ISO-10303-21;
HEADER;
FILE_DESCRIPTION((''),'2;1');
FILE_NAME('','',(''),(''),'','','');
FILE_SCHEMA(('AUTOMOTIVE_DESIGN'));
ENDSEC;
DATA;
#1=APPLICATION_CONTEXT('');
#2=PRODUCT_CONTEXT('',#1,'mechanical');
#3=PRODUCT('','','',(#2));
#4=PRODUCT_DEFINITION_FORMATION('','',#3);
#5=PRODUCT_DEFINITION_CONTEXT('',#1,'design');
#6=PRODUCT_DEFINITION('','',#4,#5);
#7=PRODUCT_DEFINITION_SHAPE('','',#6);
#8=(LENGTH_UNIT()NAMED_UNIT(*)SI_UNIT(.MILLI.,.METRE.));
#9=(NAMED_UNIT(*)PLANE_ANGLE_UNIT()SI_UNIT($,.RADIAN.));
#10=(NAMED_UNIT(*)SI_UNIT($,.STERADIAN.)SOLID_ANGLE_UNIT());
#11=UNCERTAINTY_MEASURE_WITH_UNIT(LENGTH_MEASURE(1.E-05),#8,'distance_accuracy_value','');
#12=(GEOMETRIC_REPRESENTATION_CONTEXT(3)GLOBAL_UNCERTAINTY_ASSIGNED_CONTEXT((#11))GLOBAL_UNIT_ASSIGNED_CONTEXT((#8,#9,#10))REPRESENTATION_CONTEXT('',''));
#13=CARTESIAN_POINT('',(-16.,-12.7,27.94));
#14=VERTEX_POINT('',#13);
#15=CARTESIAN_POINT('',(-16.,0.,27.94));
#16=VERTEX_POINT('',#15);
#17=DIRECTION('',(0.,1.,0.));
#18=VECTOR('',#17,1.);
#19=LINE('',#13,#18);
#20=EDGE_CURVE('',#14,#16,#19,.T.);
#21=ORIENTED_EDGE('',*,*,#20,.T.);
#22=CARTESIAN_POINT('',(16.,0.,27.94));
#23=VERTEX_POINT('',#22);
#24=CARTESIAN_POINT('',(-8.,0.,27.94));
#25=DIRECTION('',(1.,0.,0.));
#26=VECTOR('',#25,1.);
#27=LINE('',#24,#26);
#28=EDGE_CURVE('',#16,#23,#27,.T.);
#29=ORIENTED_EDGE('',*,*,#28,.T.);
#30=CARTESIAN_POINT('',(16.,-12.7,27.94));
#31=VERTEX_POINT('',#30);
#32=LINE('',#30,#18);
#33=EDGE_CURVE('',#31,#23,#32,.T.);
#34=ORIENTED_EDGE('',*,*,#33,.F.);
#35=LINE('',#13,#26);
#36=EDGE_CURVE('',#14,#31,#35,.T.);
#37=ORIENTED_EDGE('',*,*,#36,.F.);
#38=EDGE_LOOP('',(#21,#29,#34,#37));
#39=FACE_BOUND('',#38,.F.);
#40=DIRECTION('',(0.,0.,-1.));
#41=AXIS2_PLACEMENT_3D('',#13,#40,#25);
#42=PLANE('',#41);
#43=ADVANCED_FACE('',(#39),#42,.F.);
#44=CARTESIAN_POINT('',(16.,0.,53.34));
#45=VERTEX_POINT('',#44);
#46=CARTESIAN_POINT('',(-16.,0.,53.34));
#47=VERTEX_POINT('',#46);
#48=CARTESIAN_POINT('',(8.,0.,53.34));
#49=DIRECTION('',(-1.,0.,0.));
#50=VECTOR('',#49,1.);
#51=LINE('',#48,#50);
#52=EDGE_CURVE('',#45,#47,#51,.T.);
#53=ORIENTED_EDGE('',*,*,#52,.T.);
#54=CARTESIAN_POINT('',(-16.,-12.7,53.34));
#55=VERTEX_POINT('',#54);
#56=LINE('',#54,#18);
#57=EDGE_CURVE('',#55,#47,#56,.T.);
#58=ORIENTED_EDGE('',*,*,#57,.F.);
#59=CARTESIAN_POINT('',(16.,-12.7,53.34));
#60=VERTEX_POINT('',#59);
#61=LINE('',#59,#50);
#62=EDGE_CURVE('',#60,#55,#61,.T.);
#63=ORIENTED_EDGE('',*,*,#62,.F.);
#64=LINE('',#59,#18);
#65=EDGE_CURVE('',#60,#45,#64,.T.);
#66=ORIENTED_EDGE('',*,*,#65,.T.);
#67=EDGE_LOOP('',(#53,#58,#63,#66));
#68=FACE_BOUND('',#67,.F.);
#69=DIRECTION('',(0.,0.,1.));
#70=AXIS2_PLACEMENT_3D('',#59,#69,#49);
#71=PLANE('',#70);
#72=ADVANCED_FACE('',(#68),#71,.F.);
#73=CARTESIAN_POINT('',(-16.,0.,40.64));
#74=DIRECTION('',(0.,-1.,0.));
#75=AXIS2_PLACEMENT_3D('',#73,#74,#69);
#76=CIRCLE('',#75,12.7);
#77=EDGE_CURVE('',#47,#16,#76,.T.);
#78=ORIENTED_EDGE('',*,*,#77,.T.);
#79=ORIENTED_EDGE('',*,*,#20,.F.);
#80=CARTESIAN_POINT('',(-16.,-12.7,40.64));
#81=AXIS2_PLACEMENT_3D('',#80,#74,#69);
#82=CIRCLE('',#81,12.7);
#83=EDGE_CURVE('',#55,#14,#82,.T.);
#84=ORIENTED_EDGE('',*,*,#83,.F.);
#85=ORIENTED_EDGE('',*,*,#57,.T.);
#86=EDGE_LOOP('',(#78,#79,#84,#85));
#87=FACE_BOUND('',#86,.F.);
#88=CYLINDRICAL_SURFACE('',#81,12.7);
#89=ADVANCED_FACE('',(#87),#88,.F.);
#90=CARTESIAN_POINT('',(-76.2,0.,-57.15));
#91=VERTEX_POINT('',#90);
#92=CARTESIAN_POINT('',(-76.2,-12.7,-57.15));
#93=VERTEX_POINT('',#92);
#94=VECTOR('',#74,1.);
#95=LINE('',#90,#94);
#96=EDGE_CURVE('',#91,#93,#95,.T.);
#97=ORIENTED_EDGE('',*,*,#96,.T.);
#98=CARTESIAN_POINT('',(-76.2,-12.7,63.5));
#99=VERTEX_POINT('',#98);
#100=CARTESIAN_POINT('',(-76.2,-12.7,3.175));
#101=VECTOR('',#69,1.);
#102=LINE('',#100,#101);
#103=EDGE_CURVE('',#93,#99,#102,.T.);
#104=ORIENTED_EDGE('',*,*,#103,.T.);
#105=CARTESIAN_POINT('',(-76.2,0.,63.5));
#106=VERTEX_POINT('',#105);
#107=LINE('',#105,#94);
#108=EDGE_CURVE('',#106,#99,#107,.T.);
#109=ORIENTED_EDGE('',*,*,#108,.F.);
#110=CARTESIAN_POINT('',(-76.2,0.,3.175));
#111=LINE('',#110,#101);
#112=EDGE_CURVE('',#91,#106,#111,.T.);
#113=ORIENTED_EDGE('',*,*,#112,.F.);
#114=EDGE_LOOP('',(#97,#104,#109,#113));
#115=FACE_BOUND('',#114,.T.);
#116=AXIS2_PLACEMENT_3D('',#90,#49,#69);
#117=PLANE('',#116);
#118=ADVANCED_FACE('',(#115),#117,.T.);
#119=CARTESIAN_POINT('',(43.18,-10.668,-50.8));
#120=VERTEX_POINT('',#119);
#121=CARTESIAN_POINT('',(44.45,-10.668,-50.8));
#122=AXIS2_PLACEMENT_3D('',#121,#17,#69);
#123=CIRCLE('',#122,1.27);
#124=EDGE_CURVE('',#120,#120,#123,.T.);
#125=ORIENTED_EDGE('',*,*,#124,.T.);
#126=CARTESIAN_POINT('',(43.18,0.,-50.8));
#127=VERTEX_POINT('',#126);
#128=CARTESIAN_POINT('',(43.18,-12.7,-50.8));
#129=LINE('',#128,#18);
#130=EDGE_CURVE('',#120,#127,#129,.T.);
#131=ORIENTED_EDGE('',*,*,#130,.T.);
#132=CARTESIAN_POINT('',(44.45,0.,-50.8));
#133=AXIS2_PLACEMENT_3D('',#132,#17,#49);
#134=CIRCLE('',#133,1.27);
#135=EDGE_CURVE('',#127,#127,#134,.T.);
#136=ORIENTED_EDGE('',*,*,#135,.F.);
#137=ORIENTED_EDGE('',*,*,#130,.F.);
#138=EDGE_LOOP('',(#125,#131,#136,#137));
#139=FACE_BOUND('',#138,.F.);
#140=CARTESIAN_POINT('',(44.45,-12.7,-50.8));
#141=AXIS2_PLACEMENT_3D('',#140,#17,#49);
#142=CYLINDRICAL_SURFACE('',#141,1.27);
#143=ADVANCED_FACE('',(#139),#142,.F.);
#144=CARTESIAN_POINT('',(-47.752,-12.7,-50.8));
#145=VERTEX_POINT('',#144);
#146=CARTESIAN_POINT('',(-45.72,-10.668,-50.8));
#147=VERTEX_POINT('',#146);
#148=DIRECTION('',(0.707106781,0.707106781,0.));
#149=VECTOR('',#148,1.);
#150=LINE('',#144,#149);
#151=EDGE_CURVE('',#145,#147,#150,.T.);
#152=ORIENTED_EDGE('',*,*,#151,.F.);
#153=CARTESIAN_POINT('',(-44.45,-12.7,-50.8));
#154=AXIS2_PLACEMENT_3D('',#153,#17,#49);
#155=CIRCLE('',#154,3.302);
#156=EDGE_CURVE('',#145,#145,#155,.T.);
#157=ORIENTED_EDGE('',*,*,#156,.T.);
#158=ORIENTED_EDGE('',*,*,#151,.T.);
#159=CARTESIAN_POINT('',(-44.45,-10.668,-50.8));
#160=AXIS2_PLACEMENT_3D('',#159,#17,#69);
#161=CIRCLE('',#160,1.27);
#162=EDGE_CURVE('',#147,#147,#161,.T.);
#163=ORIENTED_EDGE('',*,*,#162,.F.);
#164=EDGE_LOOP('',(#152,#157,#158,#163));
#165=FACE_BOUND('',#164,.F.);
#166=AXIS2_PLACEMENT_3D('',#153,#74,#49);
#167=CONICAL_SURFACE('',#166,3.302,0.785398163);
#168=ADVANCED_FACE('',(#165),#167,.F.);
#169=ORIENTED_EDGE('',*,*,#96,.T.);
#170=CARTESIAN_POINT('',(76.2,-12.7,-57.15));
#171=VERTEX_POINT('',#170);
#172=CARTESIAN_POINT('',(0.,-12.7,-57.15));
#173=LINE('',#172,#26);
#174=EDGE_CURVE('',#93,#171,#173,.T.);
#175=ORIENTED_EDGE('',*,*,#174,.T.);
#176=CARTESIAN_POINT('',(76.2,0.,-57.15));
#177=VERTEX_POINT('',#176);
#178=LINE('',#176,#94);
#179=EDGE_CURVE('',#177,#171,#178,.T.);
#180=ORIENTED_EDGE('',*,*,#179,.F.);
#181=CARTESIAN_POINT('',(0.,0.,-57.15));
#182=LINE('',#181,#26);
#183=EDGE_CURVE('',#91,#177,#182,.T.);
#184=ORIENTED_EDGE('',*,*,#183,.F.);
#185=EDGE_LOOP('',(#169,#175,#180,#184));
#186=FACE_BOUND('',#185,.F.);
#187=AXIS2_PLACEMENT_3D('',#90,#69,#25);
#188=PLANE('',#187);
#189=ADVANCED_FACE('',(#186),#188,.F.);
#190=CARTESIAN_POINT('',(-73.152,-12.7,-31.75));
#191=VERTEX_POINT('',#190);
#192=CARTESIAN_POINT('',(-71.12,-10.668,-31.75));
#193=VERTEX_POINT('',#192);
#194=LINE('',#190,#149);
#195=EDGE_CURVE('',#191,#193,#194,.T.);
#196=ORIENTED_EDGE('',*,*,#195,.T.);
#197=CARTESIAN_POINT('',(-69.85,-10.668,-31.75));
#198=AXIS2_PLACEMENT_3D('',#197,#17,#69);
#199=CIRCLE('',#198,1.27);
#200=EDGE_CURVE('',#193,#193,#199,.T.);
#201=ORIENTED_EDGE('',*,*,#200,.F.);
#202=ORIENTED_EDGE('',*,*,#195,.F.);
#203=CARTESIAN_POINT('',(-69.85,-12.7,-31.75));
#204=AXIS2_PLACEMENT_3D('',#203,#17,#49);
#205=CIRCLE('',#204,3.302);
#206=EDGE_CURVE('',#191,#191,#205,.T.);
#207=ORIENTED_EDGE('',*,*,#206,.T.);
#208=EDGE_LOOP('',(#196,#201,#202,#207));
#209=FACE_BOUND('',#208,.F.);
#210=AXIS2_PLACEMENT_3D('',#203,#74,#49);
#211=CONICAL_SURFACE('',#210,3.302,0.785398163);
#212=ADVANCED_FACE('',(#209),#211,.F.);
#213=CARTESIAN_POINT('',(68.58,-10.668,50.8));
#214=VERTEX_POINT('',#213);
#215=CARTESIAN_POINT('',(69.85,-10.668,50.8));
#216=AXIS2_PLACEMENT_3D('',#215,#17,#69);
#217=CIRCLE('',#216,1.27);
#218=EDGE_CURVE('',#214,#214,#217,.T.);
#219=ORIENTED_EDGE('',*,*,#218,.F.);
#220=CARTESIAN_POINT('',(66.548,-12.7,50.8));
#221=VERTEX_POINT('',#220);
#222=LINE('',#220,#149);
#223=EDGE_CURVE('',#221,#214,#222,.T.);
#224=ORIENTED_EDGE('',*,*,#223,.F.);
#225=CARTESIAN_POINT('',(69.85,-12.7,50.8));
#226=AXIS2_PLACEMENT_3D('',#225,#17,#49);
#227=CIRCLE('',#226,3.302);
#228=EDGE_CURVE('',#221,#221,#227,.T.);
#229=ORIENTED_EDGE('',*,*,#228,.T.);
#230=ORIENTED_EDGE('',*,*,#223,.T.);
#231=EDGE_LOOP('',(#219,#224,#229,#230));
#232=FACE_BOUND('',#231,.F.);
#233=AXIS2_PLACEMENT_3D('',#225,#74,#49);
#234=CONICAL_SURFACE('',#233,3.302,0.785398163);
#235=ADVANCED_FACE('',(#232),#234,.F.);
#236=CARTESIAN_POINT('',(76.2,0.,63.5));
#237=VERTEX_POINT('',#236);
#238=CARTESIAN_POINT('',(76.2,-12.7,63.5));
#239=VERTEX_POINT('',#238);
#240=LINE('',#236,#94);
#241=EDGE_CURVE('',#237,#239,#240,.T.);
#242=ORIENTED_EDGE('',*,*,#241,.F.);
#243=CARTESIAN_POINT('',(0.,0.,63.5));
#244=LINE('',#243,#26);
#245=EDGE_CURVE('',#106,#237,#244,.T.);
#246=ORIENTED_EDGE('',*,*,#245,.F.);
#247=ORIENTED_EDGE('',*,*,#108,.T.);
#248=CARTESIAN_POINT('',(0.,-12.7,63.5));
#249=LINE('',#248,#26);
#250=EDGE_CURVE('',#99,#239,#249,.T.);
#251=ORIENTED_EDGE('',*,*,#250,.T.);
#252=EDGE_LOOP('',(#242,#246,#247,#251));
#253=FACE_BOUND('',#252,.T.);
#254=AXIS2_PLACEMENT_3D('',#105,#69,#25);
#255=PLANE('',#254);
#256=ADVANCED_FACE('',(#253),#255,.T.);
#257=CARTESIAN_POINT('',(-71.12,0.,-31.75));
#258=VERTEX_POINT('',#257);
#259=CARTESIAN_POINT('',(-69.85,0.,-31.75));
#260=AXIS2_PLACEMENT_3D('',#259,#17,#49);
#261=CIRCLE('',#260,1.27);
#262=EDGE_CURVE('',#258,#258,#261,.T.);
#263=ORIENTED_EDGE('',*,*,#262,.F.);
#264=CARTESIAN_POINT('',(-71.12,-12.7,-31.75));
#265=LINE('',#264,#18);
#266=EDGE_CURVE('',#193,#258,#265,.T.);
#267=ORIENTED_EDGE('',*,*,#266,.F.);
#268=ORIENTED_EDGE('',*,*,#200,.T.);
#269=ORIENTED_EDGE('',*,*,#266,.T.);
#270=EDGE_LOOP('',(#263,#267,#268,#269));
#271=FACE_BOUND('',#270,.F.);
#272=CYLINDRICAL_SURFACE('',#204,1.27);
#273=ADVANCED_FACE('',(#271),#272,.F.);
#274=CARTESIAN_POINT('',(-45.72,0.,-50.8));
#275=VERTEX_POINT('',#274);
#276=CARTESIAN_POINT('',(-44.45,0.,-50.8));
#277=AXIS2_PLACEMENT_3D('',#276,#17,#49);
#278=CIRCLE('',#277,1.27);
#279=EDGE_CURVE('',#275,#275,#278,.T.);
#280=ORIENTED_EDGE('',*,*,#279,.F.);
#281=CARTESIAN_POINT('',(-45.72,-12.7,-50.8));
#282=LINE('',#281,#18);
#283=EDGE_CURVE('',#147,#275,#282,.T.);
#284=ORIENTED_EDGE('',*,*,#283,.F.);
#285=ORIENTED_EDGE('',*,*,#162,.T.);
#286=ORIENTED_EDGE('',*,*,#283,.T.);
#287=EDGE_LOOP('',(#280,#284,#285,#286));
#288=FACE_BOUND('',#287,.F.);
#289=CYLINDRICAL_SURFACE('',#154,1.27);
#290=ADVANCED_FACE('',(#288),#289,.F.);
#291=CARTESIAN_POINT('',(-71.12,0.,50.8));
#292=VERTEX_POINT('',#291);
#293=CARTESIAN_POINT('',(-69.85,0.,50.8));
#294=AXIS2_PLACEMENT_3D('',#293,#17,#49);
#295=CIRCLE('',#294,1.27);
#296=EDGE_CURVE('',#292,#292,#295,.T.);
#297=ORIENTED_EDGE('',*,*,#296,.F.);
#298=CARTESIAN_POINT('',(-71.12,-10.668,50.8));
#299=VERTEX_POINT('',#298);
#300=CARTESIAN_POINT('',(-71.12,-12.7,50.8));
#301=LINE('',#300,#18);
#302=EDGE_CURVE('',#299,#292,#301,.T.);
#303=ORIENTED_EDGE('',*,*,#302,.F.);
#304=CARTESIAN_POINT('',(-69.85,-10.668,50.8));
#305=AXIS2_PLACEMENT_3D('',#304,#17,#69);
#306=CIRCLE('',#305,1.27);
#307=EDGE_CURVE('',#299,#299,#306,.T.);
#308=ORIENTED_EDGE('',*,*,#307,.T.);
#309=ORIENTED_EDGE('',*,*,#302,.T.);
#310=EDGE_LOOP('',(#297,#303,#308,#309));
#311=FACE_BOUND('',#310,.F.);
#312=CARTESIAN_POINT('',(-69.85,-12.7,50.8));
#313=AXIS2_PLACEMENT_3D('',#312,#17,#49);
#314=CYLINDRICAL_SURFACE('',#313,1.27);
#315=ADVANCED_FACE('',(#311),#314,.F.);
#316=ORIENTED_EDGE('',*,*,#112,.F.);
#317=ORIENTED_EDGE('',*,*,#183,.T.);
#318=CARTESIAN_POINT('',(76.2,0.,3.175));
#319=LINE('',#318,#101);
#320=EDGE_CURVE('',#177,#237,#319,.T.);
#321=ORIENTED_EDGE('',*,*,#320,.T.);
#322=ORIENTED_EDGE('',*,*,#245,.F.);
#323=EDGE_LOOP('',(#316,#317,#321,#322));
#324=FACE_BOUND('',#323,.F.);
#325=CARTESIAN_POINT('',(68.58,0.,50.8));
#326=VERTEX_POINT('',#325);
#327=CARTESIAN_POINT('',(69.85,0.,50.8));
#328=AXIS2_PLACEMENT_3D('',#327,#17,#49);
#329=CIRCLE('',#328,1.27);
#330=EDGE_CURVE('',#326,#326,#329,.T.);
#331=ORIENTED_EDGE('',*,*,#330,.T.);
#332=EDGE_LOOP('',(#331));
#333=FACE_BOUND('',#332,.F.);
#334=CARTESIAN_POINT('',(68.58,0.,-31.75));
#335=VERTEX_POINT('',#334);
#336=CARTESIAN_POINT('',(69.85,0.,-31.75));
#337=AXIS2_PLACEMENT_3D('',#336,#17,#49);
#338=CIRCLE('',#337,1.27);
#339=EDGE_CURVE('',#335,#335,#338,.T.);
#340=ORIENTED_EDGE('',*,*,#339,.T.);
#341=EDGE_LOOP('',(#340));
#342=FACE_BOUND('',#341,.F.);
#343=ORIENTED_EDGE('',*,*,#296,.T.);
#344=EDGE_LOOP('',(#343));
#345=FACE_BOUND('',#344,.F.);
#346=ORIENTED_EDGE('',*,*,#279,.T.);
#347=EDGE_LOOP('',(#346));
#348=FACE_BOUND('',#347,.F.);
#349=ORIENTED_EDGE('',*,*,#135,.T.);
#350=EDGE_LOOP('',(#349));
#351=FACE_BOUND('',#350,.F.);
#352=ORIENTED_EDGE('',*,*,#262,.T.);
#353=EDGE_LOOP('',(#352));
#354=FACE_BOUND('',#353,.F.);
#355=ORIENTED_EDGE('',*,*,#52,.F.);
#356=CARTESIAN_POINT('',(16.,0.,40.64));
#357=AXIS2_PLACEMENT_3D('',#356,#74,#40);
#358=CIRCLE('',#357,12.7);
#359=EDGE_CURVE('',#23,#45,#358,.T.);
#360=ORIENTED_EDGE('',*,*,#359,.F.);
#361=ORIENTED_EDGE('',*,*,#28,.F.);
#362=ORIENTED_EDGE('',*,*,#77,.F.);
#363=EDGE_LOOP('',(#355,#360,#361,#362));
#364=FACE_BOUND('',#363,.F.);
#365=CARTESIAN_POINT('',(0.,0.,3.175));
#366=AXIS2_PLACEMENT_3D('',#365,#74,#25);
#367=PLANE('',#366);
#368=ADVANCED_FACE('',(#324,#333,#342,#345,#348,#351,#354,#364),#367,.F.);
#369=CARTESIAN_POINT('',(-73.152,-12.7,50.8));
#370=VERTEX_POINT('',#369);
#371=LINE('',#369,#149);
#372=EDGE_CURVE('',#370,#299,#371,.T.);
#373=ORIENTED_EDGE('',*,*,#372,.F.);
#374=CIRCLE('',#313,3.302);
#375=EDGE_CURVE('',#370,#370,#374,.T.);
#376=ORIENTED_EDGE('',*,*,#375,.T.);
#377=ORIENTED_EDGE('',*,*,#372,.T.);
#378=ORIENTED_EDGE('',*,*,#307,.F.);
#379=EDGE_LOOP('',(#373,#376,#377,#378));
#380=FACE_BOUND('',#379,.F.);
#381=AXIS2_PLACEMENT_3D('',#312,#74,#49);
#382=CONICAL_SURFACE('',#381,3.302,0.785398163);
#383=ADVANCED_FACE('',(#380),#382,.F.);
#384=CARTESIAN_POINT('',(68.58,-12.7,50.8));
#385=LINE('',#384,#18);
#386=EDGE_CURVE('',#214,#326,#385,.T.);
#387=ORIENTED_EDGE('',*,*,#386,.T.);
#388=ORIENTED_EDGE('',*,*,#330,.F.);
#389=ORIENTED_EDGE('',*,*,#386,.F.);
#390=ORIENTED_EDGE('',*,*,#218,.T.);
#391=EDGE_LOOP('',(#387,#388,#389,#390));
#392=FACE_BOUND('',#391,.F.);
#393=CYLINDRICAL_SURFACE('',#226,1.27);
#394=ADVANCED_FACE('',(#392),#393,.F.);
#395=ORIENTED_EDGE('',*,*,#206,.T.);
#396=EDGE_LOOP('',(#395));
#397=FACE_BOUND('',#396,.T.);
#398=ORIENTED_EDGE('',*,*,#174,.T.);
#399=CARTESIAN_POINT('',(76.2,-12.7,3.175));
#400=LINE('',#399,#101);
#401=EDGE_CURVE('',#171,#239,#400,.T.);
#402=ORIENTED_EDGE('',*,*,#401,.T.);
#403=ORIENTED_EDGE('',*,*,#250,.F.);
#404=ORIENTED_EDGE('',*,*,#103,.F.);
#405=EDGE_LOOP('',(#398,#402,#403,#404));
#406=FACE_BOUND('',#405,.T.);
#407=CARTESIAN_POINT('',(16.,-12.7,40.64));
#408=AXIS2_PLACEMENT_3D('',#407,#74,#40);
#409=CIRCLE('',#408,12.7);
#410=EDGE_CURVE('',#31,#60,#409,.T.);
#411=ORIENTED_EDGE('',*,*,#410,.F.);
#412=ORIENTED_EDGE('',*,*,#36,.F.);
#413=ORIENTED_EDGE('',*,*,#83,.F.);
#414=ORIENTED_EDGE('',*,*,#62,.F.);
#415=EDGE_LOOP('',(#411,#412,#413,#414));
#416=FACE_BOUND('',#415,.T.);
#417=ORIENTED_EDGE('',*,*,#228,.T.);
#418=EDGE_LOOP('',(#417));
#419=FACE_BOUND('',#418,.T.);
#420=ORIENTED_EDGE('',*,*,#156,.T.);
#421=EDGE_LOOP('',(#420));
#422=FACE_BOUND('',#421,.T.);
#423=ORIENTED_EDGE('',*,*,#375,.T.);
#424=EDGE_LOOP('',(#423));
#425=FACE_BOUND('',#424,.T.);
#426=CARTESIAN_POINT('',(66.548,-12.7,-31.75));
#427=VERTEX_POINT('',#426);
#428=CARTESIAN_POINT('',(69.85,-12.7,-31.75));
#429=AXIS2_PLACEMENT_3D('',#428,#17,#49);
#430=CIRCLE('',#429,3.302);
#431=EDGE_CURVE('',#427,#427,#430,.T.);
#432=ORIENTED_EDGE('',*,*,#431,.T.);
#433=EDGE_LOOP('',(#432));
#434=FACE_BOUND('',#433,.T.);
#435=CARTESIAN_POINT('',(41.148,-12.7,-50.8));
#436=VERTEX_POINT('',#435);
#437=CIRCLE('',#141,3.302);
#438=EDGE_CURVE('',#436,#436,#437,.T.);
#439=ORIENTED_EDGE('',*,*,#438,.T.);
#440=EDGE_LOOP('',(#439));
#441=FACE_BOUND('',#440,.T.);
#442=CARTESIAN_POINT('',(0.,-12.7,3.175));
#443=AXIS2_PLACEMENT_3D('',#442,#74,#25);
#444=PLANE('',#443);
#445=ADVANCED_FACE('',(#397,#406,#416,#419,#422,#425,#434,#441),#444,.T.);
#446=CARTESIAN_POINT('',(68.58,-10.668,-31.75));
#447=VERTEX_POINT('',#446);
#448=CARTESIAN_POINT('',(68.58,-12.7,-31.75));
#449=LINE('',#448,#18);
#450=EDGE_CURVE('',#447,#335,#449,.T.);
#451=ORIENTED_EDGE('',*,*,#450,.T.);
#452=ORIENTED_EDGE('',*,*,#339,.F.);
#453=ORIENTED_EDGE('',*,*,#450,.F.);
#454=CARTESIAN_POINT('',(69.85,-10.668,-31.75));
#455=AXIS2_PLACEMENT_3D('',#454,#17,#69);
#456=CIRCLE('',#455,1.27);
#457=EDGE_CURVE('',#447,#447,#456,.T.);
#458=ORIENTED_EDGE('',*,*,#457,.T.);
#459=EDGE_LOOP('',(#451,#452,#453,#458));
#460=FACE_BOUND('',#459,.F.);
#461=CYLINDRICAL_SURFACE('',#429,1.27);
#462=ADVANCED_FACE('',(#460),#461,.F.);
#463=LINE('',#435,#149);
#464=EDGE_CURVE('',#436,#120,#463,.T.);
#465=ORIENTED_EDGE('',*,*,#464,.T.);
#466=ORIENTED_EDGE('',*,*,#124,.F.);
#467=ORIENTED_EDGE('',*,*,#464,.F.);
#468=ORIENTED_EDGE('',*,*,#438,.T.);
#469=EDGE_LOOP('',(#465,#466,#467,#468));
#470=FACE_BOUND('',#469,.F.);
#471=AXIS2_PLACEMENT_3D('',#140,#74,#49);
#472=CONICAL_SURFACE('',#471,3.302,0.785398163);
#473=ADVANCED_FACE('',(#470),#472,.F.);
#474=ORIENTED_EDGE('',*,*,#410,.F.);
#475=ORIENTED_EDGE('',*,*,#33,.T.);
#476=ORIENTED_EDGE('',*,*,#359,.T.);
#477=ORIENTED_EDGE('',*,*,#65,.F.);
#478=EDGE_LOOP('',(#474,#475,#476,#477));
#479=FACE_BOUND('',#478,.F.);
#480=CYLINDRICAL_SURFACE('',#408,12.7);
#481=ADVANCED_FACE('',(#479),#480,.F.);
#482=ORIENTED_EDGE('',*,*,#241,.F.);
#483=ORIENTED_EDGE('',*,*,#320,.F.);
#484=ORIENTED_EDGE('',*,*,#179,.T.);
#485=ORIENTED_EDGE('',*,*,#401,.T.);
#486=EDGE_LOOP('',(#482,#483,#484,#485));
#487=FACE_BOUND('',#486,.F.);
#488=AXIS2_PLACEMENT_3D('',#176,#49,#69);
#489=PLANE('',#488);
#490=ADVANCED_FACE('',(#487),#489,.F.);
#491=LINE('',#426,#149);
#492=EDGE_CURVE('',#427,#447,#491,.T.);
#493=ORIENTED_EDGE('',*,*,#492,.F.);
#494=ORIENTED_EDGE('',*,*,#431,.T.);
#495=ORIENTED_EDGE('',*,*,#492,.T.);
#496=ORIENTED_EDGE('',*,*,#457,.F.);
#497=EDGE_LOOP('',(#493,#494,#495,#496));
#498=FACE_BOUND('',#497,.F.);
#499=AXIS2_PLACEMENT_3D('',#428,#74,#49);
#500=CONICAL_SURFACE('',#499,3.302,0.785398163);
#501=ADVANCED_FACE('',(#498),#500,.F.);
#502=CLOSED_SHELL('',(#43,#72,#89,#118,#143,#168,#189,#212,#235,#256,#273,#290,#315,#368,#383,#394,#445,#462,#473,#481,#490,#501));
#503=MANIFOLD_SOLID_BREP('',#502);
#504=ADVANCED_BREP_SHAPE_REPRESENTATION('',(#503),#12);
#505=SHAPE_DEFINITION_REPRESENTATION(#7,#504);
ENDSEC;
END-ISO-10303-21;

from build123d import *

# Parameters (mm, degrees)
F0_W           = 152.4
F0_H           = 120.65
F1_DEPTH       = 12.7
F3_D           = 2.54
F3_CSINK_D     = 6.604
F3_CSINK_ANGLE = 90
F5_DEPTH       = 12.701


with BuildPart() as f1:
    # F0 (on Front) → F1 (new body)
    with BuildSketch(Plane.XZ):
        with Locations((0, 3.175)):
            Rectangle(F0_W, F0_H)
    extrude(amount=F1_DEPTH)

    # F3 (through all)
    with Locations(Plane.XZ.offset(12.7)):
        with Locations((-69.85, 50.8), (-69.85, -31.75), (-44.45, -50.8), (44.45, -50.8), (69.85, -31.75), (69.85, 50.8)):
            CounterSinkHole(F3_D / 2, F3_CSINK_D / 2, counter_sink_angle=F3_CSINK_ANGLE)

    # F4 (on face) → F5 (cut, through all)
    with BuildSketch(Plane.XZ.offset(12.7)):
        with BuildLine():
            Line((0, 53.34), (-16, 53.34))
            ThreePointArc((-16, 53.34), (-28.7, 40.64), (-16, 27.94))
            Line((-16, 27.94), (0, 27.94))
            Line((0, 27.94), (16, 27.94))
            ThreePointArc((16, 27.94), (28.7, 40.64), (16, 53.34))
            Line((16, 53.34), (0, 53.34))
        make_face()
    extrude(amount=-F5_DEPTH, mode=Mode.SUBTRACT)


solid = f1.part
